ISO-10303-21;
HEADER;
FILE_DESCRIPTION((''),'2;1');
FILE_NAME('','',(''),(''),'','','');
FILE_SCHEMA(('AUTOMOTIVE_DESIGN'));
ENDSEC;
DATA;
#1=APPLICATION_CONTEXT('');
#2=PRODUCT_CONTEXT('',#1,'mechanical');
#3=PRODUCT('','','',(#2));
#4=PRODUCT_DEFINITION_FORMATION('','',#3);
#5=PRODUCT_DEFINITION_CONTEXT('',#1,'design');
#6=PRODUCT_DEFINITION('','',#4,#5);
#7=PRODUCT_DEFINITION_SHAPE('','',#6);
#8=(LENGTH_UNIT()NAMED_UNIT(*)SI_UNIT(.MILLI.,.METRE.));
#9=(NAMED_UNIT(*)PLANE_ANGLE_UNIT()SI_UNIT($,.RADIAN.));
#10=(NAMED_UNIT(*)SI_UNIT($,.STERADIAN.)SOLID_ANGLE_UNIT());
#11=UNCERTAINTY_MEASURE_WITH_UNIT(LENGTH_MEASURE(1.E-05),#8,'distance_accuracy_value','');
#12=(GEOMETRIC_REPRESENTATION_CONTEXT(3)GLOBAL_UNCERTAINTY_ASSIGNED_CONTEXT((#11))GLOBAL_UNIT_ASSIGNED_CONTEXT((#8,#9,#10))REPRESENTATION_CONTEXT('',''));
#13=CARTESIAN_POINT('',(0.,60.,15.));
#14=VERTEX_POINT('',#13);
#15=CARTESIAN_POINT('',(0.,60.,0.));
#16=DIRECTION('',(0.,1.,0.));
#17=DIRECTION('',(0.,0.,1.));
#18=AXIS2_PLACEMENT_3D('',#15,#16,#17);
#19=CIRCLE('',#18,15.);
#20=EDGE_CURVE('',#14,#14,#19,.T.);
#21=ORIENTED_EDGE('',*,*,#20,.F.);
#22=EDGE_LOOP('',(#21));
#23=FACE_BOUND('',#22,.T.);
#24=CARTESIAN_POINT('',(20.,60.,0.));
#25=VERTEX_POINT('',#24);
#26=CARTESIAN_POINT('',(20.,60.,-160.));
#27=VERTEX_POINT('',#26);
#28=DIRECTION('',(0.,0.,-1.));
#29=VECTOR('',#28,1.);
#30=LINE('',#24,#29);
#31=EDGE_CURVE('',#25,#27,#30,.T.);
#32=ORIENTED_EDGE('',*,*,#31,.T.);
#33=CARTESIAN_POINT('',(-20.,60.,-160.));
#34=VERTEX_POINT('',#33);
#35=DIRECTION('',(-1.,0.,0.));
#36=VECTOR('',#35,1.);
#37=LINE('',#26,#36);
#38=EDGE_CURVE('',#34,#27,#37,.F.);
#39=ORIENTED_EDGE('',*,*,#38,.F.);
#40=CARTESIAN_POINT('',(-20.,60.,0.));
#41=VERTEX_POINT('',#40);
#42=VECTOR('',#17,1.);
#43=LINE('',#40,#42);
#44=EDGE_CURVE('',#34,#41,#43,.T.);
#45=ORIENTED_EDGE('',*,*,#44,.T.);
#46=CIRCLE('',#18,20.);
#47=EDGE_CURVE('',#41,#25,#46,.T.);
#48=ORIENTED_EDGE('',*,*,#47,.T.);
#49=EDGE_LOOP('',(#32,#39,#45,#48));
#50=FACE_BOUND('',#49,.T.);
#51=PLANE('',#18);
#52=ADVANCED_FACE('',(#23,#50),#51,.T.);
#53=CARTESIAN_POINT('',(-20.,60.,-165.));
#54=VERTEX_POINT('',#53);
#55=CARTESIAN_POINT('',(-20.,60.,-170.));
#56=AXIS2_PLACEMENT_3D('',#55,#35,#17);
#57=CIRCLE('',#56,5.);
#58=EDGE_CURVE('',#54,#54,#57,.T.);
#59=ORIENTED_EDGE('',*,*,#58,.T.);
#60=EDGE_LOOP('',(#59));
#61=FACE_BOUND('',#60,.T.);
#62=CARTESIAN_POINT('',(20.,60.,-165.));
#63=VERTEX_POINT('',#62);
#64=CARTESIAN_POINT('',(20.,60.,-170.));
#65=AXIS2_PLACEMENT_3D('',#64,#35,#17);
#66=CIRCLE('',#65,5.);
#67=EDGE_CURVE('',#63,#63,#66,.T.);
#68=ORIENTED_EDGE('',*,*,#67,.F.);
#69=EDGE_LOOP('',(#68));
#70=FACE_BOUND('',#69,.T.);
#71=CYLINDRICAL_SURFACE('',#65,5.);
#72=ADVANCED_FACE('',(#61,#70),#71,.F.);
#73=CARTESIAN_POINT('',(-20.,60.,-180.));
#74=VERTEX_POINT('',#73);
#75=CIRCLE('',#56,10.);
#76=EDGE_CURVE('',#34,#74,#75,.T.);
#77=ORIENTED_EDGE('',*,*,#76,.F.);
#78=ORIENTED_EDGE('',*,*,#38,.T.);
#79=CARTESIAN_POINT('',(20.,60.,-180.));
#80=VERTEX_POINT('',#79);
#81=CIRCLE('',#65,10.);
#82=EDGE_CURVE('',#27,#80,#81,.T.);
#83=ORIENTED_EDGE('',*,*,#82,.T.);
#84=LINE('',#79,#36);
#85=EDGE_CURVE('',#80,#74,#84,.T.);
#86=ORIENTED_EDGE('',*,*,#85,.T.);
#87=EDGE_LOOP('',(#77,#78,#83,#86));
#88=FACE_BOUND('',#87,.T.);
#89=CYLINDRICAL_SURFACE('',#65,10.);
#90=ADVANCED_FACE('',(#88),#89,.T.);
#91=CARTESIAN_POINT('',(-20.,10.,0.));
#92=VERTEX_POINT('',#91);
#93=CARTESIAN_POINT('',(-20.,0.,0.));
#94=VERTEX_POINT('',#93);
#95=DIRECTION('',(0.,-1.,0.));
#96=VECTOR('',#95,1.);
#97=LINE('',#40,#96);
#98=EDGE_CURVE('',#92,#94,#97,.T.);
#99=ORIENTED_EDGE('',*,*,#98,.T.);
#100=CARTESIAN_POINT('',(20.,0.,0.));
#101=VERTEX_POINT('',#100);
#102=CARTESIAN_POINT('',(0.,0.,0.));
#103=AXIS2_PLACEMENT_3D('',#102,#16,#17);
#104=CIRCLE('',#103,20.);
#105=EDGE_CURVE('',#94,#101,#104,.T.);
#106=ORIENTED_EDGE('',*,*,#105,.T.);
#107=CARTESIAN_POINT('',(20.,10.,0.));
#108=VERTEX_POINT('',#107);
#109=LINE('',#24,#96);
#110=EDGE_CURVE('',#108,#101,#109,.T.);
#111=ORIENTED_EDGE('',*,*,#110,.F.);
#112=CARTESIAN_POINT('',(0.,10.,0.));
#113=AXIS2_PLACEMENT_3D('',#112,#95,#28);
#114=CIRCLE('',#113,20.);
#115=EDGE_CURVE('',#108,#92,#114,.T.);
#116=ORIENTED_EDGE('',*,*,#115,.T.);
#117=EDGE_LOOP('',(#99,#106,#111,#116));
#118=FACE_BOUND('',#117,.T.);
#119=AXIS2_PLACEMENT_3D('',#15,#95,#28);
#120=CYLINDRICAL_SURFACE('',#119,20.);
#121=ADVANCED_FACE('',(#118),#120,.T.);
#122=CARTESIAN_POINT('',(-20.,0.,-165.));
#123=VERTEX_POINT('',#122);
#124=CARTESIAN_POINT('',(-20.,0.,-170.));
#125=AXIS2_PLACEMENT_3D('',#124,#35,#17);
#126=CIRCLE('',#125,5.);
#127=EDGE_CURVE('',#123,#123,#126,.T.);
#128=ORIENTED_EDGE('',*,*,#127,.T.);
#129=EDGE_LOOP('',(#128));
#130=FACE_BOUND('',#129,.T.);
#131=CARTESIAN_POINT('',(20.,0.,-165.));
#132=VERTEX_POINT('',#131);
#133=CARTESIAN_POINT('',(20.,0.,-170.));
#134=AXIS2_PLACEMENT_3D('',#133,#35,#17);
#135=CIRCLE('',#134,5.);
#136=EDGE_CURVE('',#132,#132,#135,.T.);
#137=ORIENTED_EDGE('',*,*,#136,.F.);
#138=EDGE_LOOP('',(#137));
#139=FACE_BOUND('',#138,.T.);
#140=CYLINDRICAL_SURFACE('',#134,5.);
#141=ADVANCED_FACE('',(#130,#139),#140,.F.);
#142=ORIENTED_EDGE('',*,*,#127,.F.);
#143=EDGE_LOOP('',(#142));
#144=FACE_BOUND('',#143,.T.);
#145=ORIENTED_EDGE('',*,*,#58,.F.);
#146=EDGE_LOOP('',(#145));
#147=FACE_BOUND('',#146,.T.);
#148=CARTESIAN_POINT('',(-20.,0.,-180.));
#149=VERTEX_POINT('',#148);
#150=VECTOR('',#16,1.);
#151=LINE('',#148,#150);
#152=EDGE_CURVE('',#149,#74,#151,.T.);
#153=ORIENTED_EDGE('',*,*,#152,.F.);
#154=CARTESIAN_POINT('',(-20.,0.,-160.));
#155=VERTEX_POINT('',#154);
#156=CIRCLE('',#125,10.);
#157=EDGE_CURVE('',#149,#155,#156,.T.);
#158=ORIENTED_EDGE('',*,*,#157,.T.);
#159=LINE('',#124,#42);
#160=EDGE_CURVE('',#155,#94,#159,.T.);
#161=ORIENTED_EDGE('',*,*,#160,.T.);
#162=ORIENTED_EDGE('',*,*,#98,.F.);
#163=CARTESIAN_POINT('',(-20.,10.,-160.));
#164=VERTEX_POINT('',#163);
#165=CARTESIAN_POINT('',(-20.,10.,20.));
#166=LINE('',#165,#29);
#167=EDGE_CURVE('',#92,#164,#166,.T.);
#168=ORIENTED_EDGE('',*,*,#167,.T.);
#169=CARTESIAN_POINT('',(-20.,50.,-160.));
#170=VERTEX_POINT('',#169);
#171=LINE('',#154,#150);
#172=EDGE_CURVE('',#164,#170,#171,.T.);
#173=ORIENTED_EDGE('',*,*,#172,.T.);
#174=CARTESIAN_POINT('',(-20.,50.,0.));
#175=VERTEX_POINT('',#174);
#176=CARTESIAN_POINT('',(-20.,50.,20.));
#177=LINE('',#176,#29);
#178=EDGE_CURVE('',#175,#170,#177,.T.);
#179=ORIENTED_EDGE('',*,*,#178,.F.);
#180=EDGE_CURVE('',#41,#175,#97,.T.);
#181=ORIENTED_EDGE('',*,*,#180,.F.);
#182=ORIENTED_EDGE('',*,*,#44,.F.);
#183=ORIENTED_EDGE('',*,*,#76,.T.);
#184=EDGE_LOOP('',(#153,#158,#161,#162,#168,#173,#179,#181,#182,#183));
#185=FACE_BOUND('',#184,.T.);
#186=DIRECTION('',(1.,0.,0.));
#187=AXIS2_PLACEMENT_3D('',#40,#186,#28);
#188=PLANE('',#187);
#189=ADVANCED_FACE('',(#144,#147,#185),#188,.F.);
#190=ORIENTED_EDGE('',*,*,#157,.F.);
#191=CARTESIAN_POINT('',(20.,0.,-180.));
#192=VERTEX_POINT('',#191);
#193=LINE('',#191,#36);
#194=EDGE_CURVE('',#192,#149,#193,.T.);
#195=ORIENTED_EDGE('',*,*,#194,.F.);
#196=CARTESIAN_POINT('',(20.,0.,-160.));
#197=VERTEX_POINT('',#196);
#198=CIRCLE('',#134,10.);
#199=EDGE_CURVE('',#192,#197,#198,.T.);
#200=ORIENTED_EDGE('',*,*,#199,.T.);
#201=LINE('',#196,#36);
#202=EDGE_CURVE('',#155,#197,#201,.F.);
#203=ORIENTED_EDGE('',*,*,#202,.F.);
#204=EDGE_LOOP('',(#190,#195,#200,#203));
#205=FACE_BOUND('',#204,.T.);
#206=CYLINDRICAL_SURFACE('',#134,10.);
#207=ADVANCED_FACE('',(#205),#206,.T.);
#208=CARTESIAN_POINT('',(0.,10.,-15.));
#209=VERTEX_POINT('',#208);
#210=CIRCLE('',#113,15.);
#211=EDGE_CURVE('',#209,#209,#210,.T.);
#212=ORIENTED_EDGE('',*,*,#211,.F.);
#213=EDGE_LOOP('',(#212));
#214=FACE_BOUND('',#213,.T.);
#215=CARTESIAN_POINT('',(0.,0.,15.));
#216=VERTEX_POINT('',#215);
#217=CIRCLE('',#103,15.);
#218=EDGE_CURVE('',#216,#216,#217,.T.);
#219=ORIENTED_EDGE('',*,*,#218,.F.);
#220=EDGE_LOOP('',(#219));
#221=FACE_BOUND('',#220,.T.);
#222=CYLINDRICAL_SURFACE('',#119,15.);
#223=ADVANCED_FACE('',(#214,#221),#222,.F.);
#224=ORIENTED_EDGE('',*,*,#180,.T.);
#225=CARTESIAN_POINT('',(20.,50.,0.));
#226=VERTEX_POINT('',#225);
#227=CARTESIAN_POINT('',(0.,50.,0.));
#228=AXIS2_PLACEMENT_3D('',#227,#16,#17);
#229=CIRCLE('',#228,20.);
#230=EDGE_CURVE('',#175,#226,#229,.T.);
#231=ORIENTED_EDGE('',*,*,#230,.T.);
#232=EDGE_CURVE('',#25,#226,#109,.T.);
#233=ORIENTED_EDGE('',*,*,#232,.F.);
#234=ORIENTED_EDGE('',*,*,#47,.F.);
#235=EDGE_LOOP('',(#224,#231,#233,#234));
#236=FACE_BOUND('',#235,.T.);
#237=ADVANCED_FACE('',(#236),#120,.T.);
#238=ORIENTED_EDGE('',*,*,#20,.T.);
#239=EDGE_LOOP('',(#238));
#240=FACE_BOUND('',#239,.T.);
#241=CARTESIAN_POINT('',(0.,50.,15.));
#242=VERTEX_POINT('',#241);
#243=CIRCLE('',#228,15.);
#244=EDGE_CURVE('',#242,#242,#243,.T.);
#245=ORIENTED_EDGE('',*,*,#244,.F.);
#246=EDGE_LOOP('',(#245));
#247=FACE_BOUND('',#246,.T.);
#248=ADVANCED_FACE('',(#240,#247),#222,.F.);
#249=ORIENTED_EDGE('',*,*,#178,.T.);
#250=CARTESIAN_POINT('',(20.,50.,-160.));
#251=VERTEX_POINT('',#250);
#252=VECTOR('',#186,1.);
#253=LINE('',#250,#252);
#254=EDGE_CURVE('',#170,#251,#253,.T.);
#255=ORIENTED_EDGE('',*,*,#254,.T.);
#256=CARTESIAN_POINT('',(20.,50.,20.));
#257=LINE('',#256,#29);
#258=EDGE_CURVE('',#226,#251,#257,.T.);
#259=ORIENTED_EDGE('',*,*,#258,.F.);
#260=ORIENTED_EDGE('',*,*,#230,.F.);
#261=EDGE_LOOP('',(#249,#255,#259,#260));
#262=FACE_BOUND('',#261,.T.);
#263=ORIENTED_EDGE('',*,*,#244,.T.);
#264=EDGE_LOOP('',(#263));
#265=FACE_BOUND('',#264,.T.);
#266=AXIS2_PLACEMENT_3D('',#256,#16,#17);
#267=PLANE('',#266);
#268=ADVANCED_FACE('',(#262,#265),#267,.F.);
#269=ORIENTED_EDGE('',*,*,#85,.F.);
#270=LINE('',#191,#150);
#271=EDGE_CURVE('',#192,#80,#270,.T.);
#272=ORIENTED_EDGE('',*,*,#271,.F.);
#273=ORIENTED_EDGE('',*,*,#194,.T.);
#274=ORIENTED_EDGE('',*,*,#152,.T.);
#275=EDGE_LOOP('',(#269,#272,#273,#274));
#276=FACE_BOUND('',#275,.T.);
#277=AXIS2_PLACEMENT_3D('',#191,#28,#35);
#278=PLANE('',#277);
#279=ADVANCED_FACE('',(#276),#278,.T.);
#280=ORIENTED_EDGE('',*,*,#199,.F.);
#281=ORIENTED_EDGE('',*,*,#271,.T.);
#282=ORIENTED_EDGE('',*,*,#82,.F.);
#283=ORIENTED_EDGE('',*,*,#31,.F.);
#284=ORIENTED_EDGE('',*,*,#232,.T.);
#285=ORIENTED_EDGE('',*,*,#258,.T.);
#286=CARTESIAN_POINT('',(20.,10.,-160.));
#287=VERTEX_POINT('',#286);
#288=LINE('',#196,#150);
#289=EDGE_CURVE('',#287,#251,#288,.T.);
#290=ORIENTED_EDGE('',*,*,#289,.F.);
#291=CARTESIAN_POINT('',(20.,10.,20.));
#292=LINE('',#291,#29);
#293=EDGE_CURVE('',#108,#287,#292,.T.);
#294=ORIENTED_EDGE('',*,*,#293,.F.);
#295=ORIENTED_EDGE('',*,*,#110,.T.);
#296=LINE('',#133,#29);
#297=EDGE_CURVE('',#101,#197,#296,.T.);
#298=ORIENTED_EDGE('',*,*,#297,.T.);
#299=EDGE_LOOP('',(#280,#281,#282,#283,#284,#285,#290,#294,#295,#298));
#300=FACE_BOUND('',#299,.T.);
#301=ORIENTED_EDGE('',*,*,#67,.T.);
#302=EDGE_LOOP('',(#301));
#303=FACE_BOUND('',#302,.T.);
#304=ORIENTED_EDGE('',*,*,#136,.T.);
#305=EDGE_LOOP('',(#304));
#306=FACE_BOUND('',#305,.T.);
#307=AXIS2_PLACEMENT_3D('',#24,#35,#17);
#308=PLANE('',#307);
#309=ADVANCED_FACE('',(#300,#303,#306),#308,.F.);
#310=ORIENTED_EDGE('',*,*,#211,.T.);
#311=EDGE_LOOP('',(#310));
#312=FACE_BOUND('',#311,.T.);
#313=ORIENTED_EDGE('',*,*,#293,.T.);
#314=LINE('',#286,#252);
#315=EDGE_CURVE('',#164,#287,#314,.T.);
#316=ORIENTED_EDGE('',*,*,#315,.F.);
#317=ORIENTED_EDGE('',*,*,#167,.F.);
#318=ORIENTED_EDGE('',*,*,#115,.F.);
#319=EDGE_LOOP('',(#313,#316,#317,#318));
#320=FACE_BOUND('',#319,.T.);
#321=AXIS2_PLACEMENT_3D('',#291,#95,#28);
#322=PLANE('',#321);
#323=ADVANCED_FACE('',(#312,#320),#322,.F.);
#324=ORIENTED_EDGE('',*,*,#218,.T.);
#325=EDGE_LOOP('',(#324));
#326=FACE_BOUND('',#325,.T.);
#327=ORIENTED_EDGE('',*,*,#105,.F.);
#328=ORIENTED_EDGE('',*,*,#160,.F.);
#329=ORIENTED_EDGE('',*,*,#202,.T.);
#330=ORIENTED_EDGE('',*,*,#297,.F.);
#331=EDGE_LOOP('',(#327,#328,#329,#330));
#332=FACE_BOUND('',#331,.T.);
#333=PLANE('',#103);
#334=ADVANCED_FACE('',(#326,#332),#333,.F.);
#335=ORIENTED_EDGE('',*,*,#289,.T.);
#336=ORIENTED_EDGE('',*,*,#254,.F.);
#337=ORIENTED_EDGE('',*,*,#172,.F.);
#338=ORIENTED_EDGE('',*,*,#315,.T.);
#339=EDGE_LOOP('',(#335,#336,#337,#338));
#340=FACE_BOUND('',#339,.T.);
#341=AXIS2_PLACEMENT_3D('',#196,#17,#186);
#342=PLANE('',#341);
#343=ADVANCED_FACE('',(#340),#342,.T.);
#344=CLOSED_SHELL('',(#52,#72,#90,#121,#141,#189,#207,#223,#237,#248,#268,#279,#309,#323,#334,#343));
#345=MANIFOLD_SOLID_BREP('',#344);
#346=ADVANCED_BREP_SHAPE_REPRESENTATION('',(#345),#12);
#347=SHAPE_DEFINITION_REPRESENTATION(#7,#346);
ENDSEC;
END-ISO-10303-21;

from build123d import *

# Parameters (mm, degrees)
SKETCH_1_R           = 15
EXTRUDE_1_DEPTH      = 60
SKETCH_2_W           = 40
SKETCH_2_H           = 40
CUT_EXTRUDE_1_DEPTH  = 190
EXTRUDE_2_DEPTH      = 50
EXTRUDE_2_DEPTH_BACK = 10
SKETCH_4_R           = 10
EXTRUDE_3_DEPTH      = 40
SKETCH_5_R           = 5
CUT_EXTRUDE_3_DEPTH  = 40


with BuildPart() as part:
    # 草图1 → 凸台-拉伸1 (new body)
    with BuildSketch(Plane(origin=(0, 0, 0), x_dir=(1, 0, 0), z_dir=(0, 1, 0))):
        with BuildLine():
            Line((20, 0), (20, 170))
            Line((20, 170), (-20, 170))
            Line((-20, 170), (-20, 0))
            ThreePointArc((-20, 0), (0, -20), (20, 0))
        make_face()
        with Locations(Location((0, 0, 0), (0, 0, 270))):
            Circle(SKETCH_1_R, mode=Mode.SUBTRACT)
    extrude(amount=EXTRUDE_1_DEPTH)

    # 草图2 → 切除-拉伸1 (cut)
    with BuildSketch(Plane(origin=(0, 0, -170), x_dir=(-1, 0, 0), z_dir=(0, 0, -1))):
        with Locations((0, 30)):
            Rectangle(SKETCH_2_W, SKETCH_2_H)
    extrude(amount=-CUT_EXTRUDE_1_DEPTH, mode=Mode.SUBTRACT)


with BuildPart() as cut_extrude_1_piece_1:
    # of the separate pieces the step leaves, piece 1, a body of its own (cut_extrude_1_pieces)
    add(part.part.solids().sort_by_distance((20, 50, -170))[0])



with BuildPart() as cut_extrude_1_piece_2:
    # of the separate pieces the step leaves, piece 2, a body of its own (cut_extrude_1_pieces)
    add(part.part.solids().sort_by_distance((20, 0, 0))[0])


with BuildPart() as cut_extrude_1_piece_1_1:
    add(cut_extrude_1_piece_1.part)

    add(cut_extrude_1_piece_2.part)  # 凸台-拉伸2 merges 切除-拉伸1 piece 2
    # 草图3 → 凸台-拉伸2 (add, two sides: drawn at the far end of the back side and taken through both)
    with BuildSketch(Plane(origin=(0, 10, 0), x_dir=(1, 0, 0), z_dir=(0, 1, 0)).offset(-EXTRUDE_2_DEPTH_BACK)):
        Polygon((20, 170), (20, 160), (-20, 160), (-20, 170), (-20, 180), (20, 180), align=None)
    extrude(amount=EXTRUDE_2_DEPTH + EXTRUDE_2_DEPTH_BACK)

    # 草图4 → 凸台-拉伸3 (add)
    with BuildSketch(Plane.ZY.offset(20)):
        with Locations((-170, 0)):
            Circle(SKETCH_4_R)
        with Locations((-170, 60)):
            Circle(SKETCH_4_R)
    extrude(amount=-EXTRUDE_3_DEPTH)

    # 草图5 → 切除-拉伸3 (cut)
    with BuildSketch(Plane.ZY.offset(20)):
        with Locations((-170, 0)):
            Circle(SKETCH_5_R)
        with Locations((-170, 60)):
            Circle(SKETCH_5_R)
    extrude(amount=-CUT_EXTRUDE_3_DEPTH, mode=Mode.SUBTRACT)


solid = cut_extrude_1_piece_1_1.part
